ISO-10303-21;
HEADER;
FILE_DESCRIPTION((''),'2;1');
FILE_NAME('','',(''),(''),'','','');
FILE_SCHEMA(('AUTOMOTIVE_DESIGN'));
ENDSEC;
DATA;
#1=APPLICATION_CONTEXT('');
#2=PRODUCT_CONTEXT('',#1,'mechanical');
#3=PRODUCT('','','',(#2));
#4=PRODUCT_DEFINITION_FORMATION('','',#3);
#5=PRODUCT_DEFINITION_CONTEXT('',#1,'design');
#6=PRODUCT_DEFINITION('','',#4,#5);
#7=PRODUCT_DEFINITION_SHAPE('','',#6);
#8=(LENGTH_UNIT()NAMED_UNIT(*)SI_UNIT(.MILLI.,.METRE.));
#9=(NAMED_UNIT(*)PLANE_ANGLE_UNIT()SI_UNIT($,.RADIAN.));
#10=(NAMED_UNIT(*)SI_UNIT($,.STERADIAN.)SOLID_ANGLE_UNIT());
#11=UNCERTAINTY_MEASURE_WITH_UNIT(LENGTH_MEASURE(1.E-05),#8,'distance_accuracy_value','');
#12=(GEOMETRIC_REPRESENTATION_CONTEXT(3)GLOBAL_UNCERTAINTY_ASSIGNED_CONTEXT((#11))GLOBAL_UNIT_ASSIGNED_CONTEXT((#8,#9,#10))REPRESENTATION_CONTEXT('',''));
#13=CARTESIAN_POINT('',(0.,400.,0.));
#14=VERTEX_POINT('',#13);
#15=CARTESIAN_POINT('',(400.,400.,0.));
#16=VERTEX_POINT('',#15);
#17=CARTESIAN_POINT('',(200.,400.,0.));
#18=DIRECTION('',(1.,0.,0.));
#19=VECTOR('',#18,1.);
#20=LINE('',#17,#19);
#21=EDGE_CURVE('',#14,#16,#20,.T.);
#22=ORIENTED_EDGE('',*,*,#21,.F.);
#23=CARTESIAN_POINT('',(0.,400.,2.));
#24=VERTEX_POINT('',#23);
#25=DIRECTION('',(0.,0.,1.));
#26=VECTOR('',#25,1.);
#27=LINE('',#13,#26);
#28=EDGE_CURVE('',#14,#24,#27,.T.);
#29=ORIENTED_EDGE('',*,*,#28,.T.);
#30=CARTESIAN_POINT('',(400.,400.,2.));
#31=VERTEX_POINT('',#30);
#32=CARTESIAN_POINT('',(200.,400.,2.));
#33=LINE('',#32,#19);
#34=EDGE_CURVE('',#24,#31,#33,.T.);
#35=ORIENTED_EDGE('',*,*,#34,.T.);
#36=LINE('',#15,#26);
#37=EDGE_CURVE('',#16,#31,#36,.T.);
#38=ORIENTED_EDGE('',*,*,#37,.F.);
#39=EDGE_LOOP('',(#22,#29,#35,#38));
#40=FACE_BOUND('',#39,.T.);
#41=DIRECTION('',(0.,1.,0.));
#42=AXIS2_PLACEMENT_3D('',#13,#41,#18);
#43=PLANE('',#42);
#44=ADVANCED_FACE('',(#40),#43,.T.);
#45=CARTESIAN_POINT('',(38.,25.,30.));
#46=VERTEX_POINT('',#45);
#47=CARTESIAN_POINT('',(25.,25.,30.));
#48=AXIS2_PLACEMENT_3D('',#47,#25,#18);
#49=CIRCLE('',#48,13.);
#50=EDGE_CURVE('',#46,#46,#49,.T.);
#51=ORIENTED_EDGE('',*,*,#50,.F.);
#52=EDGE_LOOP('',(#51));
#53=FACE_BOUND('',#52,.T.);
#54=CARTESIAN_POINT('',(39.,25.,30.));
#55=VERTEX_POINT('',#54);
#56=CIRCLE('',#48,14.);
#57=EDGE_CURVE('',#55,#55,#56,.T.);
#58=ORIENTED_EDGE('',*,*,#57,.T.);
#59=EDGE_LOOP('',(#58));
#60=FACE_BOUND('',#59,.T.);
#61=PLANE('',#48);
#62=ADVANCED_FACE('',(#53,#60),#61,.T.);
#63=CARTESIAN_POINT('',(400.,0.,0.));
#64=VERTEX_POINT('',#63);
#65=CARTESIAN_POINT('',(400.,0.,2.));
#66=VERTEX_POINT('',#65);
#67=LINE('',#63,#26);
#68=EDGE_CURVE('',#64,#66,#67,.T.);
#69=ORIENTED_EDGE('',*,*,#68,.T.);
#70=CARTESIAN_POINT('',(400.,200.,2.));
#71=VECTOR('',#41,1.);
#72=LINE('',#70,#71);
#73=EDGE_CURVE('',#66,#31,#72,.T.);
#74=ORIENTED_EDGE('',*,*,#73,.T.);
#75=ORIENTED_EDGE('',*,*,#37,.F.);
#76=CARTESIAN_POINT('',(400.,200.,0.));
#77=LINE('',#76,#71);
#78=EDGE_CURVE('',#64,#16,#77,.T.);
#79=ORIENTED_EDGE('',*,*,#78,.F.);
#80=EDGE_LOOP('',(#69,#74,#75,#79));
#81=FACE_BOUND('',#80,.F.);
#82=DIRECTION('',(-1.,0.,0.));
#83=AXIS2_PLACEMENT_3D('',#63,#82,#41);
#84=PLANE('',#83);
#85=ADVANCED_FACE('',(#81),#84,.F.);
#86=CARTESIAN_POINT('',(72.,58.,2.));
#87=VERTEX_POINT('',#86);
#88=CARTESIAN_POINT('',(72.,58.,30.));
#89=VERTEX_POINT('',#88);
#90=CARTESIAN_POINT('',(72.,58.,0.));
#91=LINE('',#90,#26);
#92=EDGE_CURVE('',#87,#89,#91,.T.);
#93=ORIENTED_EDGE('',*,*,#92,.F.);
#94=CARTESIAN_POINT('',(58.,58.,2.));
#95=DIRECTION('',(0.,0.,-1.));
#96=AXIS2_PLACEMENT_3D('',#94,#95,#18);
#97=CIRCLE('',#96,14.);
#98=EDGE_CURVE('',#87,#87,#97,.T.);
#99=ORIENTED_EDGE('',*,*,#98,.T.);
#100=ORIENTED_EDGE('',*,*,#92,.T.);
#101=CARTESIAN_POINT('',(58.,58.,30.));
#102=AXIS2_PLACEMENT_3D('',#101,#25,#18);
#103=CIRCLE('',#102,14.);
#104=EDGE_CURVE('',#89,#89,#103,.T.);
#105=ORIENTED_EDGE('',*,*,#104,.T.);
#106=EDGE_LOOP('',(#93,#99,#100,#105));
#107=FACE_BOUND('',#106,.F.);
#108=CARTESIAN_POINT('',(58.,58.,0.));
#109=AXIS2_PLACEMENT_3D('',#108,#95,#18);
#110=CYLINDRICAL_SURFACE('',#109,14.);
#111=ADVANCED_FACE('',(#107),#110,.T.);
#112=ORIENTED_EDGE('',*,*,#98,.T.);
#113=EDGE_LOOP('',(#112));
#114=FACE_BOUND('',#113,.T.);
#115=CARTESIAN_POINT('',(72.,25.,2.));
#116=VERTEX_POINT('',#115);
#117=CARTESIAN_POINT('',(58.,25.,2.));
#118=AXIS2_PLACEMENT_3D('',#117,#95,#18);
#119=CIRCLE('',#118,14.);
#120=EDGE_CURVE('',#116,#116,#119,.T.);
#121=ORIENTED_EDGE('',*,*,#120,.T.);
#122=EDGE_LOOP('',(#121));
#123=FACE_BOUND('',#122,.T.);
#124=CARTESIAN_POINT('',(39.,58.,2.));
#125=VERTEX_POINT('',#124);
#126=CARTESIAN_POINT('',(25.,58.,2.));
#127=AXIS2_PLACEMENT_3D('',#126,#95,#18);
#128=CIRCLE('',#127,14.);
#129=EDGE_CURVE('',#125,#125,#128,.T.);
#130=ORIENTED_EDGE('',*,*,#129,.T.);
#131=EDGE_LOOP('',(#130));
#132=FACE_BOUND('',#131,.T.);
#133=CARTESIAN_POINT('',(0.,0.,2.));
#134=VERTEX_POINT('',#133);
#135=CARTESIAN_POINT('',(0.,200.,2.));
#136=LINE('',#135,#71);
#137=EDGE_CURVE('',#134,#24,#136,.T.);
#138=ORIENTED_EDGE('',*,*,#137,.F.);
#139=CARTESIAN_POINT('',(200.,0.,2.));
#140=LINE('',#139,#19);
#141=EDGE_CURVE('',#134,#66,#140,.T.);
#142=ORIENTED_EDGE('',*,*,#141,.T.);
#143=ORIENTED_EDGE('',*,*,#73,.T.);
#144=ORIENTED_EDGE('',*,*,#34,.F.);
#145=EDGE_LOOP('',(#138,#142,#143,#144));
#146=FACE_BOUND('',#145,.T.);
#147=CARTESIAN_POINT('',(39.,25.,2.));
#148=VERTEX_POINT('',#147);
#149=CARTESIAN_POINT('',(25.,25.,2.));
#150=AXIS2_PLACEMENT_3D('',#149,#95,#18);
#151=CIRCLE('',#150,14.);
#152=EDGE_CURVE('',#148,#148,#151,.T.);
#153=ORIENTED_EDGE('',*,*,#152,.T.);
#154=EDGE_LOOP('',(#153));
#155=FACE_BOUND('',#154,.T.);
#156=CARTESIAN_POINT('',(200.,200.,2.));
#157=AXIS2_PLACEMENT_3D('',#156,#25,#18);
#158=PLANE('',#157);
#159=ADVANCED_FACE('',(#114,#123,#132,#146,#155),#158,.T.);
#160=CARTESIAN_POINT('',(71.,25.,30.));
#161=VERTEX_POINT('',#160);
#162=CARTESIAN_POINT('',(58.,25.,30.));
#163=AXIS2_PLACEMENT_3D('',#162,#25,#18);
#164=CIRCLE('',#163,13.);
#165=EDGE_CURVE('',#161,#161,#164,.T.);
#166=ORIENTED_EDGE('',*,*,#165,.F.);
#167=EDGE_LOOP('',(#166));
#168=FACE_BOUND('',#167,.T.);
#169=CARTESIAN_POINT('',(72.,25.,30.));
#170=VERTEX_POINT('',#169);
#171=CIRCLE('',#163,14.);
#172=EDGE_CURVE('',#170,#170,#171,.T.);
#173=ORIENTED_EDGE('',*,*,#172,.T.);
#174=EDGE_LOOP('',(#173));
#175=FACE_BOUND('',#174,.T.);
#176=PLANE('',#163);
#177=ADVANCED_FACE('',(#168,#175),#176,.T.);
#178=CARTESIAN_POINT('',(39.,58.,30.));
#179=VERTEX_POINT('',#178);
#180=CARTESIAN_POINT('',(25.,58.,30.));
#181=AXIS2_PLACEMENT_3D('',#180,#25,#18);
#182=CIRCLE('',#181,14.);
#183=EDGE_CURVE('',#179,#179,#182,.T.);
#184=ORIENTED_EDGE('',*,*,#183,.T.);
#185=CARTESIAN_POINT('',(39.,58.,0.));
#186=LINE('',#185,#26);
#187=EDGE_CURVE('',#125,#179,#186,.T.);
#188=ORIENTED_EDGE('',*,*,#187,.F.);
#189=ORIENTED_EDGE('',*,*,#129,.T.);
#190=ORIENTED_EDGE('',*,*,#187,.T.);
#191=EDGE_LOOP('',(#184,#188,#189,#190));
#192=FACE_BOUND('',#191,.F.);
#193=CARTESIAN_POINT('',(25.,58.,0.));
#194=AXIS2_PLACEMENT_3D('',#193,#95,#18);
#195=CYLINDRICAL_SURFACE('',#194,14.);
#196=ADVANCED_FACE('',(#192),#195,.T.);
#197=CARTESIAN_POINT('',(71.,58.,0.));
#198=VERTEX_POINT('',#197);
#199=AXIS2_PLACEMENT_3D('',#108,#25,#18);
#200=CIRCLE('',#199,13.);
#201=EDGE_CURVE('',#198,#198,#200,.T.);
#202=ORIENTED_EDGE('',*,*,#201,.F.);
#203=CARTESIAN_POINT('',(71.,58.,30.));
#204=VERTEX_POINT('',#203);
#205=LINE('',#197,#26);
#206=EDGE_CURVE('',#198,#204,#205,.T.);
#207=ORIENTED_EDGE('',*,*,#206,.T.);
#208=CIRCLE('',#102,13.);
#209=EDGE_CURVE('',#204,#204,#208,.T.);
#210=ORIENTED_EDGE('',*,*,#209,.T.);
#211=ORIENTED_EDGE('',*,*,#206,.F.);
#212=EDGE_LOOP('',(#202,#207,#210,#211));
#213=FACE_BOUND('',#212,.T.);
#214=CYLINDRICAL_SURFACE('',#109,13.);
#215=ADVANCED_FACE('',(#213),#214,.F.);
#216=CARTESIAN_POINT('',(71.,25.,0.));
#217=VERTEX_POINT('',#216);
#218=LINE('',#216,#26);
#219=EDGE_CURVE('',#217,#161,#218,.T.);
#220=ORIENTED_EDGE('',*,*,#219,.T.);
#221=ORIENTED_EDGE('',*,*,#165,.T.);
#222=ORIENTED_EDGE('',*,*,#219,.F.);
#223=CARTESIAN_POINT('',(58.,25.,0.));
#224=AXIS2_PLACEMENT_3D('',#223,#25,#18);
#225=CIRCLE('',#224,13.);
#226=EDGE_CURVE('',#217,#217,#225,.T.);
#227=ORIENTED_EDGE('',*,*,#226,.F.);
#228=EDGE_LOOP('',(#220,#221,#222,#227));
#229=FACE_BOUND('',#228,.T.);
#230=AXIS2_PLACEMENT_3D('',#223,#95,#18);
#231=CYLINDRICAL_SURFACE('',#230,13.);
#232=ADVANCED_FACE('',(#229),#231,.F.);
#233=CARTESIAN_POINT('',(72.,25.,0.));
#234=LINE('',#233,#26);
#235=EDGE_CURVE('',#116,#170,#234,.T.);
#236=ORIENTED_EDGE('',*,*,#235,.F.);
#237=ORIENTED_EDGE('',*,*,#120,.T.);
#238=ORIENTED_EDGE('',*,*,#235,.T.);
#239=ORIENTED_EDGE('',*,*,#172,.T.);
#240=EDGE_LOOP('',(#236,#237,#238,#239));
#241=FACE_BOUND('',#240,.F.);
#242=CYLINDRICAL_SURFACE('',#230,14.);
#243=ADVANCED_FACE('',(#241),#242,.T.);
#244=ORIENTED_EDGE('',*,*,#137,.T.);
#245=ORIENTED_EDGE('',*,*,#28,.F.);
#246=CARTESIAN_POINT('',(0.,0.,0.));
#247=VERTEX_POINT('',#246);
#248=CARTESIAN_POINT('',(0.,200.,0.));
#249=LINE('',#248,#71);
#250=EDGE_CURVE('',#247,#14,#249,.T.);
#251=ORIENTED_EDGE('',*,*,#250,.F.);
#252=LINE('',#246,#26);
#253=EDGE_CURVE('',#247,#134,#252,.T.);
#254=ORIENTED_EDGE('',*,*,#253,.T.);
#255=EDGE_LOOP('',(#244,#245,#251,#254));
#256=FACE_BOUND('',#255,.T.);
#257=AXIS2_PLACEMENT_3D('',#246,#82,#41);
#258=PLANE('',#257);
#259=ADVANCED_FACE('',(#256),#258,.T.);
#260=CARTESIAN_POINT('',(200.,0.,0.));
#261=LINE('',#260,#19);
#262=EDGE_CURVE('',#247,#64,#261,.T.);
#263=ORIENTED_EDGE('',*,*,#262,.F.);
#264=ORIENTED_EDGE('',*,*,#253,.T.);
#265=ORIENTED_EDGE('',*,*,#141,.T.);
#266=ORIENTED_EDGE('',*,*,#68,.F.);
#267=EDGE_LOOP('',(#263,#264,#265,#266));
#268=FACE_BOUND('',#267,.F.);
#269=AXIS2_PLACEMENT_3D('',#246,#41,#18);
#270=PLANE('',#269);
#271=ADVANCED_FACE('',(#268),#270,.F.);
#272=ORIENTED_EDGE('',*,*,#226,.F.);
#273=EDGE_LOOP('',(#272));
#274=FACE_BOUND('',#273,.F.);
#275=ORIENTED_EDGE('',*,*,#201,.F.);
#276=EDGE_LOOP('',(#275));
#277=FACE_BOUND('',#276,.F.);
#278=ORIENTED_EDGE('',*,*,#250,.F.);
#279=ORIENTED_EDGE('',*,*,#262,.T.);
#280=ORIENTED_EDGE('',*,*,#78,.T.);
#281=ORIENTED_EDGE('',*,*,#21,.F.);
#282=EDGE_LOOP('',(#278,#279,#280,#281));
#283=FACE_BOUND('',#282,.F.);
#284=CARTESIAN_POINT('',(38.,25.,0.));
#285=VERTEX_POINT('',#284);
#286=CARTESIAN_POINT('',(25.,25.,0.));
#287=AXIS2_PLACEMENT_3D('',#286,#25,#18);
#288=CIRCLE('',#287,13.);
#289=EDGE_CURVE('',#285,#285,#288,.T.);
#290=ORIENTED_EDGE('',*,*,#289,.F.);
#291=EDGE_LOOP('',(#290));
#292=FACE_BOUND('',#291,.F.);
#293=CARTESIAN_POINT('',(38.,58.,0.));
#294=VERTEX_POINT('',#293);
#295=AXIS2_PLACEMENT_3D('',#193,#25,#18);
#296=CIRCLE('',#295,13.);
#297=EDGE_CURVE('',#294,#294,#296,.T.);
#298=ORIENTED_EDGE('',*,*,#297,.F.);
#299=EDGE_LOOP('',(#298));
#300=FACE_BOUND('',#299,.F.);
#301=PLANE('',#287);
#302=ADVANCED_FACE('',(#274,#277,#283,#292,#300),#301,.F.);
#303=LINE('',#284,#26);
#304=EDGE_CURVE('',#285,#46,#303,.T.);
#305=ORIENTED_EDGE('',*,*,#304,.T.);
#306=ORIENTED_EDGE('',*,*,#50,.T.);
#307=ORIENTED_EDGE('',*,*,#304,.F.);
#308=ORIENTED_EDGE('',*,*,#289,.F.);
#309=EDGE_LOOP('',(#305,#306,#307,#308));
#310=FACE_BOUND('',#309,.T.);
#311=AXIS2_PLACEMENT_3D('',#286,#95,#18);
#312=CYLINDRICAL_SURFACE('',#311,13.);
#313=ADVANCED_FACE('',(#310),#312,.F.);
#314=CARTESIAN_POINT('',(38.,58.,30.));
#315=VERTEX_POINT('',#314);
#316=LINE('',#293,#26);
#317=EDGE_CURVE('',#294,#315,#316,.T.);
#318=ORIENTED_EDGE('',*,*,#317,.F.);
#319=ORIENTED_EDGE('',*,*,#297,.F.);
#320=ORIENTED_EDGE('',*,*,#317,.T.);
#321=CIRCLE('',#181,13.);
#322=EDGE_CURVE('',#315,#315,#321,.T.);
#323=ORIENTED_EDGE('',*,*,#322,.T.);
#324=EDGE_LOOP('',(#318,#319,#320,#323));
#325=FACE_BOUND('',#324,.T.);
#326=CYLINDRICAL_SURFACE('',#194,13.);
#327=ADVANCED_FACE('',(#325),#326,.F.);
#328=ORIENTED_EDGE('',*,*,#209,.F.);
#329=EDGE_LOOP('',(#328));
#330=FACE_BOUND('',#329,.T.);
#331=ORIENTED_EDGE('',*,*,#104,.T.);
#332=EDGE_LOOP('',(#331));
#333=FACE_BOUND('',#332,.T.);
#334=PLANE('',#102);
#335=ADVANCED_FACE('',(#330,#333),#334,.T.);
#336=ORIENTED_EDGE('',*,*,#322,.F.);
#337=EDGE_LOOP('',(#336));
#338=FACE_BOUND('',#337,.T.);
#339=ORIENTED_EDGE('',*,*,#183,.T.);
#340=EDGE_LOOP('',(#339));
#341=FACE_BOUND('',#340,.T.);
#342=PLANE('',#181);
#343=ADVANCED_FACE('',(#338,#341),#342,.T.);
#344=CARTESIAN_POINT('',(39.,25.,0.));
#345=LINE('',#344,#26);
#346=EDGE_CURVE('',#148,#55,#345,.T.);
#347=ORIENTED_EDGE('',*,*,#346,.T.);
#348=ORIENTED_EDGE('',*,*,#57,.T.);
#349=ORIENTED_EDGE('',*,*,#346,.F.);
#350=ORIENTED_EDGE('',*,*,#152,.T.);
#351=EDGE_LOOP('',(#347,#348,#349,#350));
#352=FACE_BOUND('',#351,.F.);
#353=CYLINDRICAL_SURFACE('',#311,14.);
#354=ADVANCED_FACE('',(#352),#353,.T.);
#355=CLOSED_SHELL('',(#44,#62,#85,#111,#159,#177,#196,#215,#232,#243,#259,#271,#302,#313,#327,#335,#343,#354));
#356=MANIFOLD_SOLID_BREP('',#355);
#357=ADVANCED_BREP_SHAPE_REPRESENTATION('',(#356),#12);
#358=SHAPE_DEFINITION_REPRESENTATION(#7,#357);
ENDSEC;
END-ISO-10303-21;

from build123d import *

# Parameters (mm, degrees)
SKETCH_W     = 400
SKETCH_H     = 400
PAD_DEPTH    = 2
SKETCH001_R  = 14
PAD001_DEPTH = 30
SKETCH002_R  = 13
HOLE_DEPTH   = 30


with BuildPart() as part:
    # Sketch → Pad (new body)
    with BuildSketch(Plane.XY):
        with Locations((200, 200)):
            Rectangle(SKETCH_W, SKETCH_H)
    extrude(amount=PAD_DEPTH)

    # Sketch001 → Pad001 (join)
    with BuildSketch(Plane.XY):
        with Locations((25, 25)):
            Circle(SKETCH001_R)
        with Locations((58, 25)):
            Circle(SKETCH001_R)
        with Locations((58, 58)):
            Circle(SKETCH001_R)
        with Locations((25, 58)):
            Circle(SKETCH001_R)
    extrude(amount=PAD001_DEPTH)

    # Sketch002 → Hole (cut)
    with BuildSketch(Plane.XY):
        with Locations((25, 58)):
            Circle(SKETCH002_R)
        with Locations((58, 58)):
            Circle(SKETCH002_R)
        with Locations((58, 25)):
            Circle(SKETCH002_R)
        with Locations((25, 25)):
            Circle(SKETCH002_R)
    extrude(amount=HOLE_DEPTH, mode=Mode.SUBTRACT)


solid = part.part
